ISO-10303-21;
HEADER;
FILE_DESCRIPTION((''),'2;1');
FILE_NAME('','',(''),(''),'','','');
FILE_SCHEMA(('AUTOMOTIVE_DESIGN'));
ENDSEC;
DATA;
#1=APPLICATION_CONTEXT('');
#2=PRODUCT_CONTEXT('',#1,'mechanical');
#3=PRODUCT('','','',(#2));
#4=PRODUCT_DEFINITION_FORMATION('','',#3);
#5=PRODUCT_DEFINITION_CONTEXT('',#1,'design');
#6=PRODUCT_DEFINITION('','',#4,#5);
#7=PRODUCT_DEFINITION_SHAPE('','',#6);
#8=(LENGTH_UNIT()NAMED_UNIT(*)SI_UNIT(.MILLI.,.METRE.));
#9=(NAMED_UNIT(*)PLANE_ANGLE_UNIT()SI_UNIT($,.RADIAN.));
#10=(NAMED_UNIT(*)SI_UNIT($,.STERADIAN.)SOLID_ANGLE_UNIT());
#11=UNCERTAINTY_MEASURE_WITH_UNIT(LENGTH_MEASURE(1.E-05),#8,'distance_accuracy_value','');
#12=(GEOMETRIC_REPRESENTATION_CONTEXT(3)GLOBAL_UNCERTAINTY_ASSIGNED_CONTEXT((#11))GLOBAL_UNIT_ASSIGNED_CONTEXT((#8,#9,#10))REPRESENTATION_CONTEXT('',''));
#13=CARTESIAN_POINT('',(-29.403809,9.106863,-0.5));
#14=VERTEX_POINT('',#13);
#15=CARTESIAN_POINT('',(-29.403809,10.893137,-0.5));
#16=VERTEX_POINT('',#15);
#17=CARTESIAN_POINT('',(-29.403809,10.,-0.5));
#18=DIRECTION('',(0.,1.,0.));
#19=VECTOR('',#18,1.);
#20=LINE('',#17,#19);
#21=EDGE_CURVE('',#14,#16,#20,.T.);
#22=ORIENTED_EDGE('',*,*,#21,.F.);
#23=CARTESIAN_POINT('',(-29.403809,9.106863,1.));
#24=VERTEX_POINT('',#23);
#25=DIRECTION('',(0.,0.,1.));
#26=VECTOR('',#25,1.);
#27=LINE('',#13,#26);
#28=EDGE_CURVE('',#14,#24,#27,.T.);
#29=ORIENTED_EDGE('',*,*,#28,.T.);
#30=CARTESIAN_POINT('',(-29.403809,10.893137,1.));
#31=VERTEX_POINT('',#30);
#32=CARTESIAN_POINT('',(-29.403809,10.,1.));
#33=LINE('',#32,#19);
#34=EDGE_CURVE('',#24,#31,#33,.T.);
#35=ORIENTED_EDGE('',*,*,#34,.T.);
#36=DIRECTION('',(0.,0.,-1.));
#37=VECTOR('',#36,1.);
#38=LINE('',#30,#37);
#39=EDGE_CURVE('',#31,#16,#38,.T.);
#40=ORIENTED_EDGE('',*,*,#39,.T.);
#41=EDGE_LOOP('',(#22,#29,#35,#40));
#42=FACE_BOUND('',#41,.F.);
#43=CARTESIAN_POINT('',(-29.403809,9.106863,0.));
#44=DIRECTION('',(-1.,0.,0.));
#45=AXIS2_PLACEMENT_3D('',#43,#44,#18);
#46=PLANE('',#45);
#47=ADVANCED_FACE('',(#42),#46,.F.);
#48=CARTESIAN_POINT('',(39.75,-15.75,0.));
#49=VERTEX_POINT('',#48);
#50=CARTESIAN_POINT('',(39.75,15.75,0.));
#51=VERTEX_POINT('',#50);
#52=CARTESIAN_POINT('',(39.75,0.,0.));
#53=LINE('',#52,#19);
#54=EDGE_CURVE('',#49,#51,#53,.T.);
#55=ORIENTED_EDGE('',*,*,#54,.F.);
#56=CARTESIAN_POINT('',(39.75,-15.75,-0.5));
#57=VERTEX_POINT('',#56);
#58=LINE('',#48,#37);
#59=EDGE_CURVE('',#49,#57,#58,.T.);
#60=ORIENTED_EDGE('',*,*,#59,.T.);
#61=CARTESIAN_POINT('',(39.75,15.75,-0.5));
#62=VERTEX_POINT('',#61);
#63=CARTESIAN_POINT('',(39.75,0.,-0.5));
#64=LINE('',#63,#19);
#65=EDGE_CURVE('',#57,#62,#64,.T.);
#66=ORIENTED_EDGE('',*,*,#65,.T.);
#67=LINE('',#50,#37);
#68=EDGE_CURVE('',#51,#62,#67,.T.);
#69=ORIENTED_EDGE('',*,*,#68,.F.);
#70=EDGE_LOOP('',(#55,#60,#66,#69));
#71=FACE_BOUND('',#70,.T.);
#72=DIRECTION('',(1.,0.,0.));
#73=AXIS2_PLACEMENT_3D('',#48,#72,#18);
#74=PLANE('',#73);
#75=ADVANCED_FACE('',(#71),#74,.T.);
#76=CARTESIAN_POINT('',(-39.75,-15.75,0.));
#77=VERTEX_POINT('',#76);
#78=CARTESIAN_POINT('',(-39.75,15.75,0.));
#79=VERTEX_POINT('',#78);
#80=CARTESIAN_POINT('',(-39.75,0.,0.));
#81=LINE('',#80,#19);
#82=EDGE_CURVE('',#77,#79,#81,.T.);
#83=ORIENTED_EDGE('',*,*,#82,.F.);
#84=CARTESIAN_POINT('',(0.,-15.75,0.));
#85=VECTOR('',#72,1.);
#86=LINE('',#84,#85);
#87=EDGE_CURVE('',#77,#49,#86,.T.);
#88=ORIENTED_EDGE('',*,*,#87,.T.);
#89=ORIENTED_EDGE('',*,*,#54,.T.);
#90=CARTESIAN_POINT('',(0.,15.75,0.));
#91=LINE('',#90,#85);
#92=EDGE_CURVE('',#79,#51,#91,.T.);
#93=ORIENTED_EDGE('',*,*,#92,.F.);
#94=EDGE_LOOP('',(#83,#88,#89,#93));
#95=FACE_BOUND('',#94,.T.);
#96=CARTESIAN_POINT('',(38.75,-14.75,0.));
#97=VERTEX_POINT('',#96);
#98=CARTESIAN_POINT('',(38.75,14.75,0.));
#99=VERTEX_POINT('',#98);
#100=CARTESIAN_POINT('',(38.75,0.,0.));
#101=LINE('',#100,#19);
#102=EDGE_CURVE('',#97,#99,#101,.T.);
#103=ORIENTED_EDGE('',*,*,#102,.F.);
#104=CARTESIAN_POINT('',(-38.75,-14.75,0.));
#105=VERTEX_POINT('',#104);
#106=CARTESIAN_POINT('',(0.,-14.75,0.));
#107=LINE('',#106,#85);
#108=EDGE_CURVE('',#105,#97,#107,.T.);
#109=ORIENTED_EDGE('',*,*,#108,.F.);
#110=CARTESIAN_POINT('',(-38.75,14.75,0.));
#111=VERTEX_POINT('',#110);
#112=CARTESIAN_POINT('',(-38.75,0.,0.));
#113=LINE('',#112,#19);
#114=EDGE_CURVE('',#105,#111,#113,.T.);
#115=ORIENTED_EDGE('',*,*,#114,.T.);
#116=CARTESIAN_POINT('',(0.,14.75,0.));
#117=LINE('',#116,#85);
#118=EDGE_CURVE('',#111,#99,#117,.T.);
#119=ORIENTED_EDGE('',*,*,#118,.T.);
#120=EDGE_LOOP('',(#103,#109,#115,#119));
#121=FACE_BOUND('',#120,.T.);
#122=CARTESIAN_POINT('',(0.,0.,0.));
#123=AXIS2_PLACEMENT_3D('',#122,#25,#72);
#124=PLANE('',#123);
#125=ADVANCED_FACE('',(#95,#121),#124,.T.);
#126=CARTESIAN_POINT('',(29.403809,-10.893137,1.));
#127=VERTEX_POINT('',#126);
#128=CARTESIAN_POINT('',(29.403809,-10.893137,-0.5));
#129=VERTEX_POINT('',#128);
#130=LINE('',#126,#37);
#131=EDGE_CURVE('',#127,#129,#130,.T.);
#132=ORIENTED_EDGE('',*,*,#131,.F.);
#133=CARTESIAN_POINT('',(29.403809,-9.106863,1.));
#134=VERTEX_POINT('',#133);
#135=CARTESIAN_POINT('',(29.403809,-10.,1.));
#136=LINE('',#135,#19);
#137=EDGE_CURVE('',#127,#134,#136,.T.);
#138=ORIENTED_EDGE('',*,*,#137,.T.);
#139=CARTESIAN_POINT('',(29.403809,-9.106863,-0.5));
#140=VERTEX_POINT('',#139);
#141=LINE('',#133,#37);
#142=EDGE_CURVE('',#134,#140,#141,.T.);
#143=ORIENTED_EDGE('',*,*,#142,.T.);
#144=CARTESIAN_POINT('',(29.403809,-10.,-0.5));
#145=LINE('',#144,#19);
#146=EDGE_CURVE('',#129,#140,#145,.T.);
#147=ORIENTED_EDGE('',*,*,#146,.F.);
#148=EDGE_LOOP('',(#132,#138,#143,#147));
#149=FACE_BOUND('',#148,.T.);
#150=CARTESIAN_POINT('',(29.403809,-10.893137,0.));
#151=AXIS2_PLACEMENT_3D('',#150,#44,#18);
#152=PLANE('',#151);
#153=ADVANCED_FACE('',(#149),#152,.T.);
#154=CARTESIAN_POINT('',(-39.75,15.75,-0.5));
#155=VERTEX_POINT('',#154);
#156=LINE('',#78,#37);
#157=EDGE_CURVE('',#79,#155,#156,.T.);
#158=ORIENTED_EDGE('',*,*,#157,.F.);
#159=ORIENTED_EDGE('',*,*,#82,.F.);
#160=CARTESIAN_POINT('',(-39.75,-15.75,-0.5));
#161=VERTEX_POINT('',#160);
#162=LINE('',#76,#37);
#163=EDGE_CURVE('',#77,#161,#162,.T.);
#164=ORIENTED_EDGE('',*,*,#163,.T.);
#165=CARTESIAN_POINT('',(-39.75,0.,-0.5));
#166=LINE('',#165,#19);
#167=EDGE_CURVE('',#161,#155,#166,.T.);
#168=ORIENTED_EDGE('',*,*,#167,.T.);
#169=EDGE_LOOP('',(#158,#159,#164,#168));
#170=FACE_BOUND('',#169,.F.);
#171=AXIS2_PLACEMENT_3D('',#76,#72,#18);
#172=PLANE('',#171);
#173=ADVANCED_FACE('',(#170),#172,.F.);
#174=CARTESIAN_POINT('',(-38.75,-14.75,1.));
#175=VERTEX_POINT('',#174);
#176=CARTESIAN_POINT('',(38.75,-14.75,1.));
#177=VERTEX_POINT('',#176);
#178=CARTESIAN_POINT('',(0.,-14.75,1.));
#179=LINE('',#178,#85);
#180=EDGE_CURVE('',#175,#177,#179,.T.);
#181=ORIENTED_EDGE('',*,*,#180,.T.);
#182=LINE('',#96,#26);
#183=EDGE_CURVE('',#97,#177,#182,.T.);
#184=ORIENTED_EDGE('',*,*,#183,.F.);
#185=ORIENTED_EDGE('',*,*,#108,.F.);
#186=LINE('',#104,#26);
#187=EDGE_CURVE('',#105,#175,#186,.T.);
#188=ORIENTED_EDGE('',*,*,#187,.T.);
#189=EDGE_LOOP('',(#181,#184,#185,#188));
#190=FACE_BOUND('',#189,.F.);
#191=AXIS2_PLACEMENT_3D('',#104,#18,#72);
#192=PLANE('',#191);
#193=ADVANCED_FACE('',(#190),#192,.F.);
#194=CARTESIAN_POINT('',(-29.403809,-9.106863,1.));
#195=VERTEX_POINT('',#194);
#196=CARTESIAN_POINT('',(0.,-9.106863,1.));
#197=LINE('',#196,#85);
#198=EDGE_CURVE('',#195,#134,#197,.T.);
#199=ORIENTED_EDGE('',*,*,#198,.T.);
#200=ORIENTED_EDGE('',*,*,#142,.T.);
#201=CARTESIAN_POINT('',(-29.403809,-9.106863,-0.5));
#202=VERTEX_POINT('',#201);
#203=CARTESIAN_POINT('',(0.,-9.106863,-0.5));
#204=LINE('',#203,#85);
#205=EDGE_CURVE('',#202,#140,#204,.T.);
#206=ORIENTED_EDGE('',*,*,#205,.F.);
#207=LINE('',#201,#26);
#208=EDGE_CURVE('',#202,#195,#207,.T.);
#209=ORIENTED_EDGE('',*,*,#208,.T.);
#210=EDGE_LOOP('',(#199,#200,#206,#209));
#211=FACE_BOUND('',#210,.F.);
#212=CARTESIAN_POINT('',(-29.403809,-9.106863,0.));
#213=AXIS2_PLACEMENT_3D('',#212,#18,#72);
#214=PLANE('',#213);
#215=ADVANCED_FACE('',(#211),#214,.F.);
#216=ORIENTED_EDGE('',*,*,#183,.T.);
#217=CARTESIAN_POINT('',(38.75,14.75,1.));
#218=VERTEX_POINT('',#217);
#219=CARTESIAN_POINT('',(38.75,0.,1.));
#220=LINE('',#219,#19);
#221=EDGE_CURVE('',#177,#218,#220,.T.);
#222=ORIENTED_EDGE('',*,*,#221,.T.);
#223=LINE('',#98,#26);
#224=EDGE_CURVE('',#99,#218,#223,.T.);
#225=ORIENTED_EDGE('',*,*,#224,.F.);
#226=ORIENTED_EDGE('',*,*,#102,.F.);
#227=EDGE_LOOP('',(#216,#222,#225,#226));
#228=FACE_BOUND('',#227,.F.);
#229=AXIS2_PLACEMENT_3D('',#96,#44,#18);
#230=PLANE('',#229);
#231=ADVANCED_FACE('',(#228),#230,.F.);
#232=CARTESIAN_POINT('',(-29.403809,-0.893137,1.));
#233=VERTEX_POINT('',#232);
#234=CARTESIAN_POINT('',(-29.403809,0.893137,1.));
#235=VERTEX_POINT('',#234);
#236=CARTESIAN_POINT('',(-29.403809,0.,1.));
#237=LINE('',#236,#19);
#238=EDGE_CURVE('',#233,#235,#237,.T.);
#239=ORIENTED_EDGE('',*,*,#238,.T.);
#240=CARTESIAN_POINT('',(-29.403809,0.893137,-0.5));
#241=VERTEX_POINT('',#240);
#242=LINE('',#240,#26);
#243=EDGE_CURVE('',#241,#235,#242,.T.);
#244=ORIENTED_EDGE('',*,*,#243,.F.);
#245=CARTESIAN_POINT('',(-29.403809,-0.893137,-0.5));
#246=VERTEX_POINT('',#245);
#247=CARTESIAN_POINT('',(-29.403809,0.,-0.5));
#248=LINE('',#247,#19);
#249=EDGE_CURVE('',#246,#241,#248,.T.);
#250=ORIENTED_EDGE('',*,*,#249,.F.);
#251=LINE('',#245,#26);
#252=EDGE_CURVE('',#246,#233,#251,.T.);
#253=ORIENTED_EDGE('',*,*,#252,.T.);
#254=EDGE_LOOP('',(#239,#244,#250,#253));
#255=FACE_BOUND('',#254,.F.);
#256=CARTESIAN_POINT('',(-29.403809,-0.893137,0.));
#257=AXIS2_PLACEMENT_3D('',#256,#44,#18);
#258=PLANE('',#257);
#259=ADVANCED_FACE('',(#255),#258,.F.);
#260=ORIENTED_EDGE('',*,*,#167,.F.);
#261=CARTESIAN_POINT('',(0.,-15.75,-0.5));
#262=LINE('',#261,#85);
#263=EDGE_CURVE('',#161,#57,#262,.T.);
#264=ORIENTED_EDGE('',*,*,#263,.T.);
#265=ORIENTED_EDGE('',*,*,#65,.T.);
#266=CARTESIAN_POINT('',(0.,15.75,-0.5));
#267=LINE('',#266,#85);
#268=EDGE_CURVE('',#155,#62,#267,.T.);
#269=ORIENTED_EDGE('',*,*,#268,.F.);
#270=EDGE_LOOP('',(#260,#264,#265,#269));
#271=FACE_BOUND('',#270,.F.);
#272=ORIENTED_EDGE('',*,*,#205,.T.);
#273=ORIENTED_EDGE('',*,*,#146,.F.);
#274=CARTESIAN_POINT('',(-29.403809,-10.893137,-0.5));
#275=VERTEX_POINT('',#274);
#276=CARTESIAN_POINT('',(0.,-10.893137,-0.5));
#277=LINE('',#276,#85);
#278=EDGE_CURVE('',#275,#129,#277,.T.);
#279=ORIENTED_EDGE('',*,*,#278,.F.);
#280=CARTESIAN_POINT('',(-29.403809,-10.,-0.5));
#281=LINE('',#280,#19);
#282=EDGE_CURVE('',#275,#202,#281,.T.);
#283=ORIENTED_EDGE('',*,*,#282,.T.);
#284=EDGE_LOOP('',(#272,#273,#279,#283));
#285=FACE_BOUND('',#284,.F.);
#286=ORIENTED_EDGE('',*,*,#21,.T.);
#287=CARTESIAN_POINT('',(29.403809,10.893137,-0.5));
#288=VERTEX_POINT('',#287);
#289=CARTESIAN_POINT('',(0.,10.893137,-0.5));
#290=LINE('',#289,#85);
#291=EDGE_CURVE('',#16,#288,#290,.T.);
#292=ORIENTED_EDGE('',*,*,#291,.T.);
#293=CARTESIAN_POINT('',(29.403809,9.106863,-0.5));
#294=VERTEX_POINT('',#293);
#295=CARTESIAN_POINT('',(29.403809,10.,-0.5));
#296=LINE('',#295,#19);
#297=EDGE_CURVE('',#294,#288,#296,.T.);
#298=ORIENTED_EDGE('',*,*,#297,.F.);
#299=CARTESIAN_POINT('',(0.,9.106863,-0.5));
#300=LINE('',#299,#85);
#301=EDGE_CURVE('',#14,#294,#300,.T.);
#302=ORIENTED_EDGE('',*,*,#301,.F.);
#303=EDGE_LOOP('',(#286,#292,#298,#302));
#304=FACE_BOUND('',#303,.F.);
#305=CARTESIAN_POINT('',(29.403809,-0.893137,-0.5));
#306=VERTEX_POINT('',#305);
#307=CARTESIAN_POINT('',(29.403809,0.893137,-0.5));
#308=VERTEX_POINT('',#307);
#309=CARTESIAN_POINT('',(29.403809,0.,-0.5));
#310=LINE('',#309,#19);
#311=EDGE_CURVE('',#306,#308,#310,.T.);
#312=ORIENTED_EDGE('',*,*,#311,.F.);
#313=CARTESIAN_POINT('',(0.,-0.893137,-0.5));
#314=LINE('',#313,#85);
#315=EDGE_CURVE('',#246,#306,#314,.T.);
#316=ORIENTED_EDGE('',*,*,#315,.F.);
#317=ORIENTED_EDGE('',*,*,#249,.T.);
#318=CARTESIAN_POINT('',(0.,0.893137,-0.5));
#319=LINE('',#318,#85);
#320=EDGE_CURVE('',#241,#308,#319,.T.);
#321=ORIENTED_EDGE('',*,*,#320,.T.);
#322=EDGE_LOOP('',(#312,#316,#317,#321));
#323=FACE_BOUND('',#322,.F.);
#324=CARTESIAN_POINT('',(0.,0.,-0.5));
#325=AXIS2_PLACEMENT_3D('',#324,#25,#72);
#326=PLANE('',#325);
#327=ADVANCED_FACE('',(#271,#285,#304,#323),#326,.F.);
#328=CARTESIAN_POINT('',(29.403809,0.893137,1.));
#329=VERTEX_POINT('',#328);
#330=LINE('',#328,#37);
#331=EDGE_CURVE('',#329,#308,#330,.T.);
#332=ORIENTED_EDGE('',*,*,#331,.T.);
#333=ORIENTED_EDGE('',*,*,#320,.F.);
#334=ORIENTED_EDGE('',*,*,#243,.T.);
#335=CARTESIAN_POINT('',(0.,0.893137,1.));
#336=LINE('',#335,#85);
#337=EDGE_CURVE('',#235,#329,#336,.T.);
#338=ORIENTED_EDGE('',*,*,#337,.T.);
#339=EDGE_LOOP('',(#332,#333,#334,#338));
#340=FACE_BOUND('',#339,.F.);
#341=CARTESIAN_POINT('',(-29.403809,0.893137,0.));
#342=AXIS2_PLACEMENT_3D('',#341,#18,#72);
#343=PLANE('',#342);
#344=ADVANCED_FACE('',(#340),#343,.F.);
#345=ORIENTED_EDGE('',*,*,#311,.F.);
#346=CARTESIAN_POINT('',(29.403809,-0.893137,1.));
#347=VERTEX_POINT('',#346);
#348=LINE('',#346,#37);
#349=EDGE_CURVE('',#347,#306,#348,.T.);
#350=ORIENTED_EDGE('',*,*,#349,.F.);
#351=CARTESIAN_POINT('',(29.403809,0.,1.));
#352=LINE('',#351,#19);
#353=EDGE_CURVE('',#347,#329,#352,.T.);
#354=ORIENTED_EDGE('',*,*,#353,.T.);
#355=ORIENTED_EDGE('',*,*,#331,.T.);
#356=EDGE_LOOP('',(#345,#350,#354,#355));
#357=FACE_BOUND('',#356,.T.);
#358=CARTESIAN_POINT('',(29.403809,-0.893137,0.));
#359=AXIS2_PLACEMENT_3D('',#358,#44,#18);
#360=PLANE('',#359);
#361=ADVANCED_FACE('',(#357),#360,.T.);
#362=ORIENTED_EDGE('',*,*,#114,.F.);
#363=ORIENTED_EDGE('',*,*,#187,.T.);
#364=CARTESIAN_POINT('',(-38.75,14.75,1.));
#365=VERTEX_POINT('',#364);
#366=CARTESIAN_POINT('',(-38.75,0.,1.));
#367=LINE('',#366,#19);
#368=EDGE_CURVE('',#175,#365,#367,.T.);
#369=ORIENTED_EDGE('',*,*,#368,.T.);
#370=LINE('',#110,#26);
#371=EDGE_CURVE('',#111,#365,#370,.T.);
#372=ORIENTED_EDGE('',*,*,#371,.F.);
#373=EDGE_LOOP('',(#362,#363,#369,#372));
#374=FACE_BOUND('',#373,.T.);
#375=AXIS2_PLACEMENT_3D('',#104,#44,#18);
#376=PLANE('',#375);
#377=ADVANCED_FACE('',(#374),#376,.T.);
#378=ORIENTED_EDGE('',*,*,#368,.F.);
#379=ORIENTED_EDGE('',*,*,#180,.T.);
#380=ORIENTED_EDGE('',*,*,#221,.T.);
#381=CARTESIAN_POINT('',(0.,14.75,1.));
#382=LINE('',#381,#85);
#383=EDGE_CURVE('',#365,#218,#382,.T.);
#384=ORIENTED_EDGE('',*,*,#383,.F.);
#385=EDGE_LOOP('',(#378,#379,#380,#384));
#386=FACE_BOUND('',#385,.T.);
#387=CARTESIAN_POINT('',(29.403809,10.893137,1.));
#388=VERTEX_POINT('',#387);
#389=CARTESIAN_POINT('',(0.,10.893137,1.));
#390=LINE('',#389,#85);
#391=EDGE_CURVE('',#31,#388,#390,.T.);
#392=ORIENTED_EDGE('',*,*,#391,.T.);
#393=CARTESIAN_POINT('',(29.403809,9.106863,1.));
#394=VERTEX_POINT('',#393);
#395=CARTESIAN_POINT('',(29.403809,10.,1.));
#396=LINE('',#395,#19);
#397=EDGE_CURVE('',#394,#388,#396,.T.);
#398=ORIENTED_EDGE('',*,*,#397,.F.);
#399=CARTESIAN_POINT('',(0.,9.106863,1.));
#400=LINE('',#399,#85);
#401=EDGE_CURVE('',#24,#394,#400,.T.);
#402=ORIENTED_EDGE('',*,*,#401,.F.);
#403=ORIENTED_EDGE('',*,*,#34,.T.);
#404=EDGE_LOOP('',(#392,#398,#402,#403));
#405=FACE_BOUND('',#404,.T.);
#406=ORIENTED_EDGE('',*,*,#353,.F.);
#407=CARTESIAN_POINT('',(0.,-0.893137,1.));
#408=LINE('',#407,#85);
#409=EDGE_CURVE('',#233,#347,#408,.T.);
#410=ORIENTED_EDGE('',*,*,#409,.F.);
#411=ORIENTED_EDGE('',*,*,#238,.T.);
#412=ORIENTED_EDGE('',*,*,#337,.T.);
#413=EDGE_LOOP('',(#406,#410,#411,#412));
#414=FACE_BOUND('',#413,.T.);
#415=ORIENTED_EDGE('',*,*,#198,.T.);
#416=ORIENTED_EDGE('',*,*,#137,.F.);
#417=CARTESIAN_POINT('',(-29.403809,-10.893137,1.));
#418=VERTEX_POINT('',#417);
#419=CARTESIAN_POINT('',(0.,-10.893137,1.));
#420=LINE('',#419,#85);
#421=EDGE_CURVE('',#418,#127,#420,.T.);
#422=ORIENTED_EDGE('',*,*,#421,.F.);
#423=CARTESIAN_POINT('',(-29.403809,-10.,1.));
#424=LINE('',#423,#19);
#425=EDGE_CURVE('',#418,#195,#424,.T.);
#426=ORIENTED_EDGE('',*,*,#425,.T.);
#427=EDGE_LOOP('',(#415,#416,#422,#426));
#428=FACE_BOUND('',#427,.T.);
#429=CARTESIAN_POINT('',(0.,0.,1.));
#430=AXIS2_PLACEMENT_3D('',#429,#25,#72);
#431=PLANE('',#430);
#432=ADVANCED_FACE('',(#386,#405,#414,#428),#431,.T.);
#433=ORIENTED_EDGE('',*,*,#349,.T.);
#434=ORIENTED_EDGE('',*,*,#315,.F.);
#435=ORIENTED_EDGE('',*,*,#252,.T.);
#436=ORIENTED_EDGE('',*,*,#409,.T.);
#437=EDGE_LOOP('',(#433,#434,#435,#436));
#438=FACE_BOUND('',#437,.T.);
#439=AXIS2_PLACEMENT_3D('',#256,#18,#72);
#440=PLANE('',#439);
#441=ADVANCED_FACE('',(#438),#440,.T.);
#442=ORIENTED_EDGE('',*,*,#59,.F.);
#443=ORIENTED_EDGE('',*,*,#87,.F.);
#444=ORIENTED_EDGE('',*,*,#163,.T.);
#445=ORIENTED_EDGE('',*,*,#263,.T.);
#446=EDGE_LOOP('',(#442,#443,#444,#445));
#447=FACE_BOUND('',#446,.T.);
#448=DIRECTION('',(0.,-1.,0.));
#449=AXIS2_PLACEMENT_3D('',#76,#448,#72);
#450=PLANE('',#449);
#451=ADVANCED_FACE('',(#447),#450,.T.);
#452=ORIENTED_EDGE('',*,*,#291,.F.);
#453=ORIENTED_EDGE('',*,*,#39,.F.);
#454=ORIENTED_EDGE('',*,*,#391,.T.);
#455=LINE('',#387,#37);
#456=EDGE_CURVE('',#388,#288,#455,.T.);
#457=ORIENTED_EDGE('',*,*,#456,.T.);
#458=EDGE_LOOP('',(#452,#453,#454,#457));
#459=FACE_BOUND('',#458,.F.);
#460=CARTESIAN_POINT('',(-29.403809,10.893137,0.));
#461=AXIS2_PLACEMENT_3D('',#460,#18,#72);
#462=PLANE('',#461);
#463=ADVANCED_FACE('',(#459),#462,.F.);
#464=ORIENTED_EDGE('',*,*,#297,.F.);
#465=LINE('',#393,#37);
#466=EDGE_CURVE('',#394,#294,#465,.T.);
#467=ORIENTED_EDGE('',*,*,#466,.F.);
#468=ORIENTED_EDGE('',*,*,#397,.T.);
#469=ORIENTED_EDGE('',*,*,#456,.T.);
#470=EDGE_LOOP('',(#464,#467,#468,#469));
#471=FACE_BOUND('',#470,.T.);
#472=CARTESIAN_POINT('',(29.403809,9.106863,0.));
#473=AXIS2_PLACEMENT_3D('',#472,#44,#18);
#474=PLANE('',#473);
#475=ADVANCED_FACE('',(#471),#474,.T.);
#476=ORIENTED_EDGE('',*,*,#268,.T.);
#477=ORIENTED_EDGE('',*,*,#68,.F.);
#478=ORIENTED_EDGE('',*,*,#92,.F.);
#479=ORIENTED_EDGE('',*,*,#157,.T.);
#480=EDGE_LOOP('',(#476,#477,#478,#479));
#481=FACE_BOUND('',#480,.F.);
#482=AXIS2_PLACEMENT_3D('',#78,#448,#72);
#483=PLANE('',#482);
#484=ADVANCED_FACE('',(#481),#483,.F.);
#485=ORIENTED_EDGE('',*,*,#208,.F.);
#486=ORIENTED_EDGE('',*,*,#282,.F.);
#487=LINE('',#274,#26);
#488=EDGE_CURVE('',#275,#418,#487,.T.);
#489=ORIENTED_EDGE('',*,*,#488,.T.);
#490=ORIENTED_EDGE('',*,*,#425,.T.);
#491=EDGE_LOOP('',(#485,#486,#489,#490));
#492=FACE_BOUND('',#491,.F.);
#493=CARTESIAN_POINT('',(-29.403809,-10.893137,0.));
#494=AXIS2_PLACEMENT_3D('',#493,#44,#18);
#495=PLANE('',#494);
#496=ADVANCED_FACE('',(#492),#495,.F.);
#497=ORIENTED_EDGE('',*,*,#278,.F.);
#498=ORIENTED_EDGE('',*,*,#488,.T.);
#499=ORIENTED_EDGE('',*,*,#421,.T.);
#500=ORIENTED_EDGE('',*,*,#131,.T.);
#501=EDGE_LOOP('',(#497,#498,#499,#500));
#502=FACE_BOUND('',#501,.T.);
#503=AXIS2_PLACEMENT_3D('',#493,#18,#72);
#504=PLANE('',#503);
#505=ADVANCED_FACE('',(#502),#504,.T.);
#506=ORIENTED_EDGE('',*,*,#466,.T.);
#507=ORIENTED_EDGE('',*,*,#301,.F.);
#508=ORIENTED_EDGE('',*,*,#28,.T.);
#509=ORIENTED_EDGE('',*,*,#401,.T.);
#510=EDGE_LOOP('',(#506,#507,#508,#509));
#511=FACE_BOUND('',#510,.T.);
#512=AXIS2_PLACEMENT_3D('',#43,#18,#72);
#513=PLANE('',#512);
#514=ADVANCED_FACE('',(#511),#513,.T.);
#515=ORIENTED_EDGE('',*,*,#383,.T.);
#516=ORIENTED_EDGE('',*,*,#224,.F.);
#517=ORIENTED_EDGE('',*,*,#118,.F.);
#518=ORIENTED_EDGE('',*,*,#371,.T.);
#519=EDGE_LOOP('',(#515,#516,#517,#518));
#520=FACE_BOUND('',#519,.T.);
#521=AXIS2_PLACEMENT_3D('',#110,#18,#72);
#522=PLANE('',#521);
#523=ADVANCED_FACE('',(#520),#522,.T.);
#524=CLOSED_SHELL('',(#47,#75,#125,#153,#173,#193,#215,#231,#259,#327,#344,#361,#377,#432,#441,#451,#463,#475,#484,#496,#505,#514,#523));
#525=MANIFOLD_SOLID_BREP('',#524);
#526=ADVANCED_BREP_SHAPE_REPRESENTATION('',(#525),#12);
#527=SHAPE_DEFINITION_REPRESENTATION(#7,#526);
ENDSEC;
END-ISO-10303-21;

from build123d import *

# Parameters (mm, degrees)
F0_W     = 79.5
F0_H     = 31.5
F0_W_2   = 77.5
F0_H_2   = 29.5
F0_W_3   = 58.807618
F0_H_3   = 1.786274
F1_DEPTH = 0.5
F2_DEPTH = 1


with BuildPart() as f1:
    # F0 (on Top) → F1 (new body)
    with BuildSketch(Plane.XY):
        Rectangle(F0_W, F0_H)
        Rectangle(F0_W_2, F0_H_2, mode=Mode.SUBTRACT)
        Rectangle(F0_W_2, F0_H_2)
        with Locations((0, -10)):
            Rectangle(F0_W_3, F0_H_3, mode=Mode.SUBTRACT)
        Rectangle(F0_W_3, F0_H_3, mode=Mode.SUBTRACT)
        with Locations((0, 10)):
            Rectangle(F0_W_3, F0_H_3, mode=Mode.SUBTRACT)
    extrude(amount=-F1_DEPTH)

    # F0 (on Top) → F2 (join)
    with BuildSketch(Plane.XY):
        Rectangle(F0_W_2, F0_H_2)
        with Locations((0, -10)):
            Rectangle(F0_W_3, F0_H_3, mode=Mode.SUBTRACT)
        Rectangle(F0_W_3, F0_H_3, mode=Mode.SUBTRACT)
        with Locations((0, 10)):
            Rectangle(F0_W_3, F0_H_3, mode=Mode.SUBTRACT)
    extrude(amount=F2_DEPTH)


solid = f1.part
